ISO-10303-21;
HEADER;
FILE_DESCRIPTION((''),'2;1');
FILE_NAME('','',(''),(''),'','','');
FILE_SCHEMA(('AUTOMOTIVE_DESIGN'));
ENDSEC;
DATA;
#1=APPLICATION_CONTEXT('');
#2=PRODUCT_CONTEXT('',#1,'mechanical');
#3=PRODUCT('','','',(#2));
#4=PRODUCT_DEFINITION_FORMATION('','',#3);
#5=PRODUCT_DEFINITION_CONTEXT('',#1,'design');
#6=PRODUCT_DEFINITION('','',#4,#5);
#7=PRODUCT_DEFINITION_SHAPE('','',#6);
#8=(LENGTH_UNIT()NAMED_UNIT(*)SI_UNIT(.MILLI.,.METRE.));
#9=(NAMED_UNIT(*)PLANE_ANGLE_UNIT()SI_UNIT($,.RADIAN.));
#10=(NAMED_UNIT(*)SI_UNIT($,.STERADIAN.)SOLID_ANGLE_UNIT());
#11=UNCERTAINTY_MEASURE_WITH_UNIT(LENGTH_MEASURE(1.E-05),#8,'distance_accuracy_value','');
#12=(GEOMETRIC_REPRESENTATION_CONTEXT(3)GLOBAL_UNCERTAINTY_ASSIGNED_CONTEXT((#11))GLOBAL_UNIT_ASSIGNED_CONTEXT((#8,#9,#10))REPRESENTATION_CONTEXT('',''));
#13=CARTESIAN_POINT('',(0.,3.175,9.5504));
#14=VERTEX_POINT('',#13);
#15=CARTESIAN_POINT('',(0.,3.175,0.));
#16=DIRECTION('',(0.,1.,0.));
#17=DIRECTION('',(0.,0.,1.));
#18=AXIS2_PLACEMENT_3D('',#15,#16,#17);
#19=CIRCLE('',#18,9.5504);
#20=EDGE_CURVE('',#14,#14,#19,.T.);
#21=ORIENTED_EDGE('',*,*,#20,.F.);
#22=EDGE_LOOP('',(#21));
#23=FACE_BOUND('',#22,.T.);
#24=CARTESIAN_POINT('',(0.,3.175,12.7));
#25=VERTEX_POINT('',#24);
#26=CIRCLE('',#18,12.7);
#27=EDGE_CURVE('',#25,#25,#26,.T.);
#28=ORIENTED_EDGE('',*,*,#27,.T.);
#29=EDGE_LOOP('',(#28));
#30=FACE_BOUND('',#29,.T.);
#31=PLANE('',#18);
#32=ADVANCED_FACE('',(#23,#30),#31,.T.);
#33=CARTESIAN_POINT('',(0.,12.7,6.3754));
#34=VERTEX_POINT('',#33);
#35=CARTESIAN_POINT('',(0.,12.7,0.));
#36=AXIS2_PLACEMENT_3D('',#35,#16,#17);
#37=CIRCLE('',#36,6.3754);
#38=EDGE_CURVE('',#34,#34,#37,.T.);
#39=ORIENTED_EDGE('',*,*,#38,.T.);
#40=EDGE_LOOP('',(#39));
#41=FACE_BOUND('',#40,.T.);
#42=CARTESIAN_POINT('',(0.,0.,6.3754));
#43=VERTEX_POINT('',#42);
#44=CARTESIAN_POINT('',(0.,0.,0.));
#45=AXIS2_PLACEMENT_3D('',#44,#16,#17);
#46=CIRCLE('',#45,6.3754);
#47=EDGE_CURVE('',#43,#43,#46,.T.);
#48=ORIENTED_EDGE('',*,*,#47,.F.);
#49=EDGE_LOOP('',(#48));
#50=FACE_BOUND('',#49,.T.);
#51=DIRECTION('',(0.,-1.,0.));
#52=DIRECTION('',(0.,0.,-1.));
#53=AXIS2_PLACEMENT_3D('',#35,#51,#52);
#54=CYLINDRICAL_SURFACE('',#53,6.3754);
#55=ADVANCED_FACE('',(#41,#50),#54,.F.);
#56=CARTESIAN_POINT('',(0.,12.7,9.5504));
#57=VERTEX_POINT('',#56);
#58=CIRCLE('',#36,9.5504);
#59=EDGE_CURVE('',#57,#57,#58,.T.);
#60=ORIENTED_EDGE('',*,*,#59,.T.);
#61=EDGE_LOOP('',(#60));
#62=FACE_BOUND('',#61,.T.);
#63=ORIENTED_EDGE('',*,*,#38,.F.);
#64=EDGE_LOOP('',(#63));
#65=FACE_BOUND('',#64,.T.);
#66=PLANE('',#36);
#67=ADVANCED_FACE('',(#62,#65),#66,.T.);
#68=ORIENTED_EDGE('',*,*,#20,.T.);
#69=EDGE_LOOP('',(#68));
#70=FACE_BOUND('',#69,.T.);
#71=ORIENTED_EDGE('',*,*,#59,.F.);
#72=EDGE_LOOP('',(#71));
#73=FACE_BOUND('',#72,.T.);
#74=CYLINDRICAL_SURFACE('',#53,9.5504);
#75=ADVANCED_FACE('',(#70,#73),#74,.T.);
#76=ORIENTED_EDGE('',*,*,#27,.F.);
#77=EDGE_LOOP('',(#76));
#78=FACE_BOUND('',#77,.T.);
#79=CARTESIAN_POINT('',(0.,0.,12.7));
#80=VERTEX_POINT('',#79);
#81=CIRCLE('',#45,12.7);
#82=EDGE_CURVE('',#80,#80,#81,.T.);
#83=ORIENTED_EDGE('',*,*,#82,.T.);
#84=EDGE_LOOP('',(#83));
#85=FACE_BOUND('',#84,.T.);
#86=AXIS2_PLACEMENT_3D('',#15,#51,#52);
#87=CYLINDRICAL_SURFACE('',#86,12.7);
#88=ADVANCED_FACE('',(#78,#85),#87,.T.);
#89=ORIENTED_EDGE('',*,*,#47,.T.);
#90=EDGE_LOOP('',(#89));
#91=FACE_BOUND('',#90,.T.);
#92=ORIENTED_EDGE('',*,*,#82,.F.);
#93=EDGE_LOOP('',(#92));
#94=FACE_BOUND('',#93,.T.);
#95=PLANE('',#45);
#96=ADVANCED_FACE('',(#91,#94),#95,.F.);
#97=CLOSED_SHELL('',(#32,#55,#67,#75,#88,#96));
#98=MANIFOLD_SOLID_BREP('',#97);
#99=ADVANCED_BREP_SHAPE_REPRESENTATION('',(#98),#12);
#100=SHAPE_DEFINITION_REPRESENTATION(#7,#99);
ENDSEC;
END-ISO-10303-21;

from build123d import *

# Parameters (mm, degrees)
SKETCH2_R           = 9.5504
SKETCH2_R_2         = 6.3754
BOSS_EXTRUDE1_DEPTH = 12.7
SKETCH3_R           = 12.7
SKETCH3_R_2         = 9.5504
BOSS_EXTRUDE2_DEPTH = 3.175


with BuildPart() as part:
    # Sketch2 → Boss-Extrude1 (new body)
    with BuildSketch(Plane(origin=(0, 0, 0), x_dir=(1, 0, 0), z_dir=(0, 1, 0))):
        Circle(SKETCH2_R)
        Circle(SKETCH2_R_2, mode=Mode.SUBTRACT)
    extrude(amount=BOSS_EXTRUDE1_DEPTH)

    # Sketch3 → Boss-Extrude2 (add)
    with BuildSketch(Plane(origin=(0, 0, 0), x_dir=(1, 0, 0), z_dir=(0, 1, 0))):
        Circle(SKETCH3_R)
        Circle(SKETCH3_R_2, mode=Mode.SUBTRACT)
    extrude(amount=BOSS_EXTRUDE2_DEPTH)


solid = part.part
